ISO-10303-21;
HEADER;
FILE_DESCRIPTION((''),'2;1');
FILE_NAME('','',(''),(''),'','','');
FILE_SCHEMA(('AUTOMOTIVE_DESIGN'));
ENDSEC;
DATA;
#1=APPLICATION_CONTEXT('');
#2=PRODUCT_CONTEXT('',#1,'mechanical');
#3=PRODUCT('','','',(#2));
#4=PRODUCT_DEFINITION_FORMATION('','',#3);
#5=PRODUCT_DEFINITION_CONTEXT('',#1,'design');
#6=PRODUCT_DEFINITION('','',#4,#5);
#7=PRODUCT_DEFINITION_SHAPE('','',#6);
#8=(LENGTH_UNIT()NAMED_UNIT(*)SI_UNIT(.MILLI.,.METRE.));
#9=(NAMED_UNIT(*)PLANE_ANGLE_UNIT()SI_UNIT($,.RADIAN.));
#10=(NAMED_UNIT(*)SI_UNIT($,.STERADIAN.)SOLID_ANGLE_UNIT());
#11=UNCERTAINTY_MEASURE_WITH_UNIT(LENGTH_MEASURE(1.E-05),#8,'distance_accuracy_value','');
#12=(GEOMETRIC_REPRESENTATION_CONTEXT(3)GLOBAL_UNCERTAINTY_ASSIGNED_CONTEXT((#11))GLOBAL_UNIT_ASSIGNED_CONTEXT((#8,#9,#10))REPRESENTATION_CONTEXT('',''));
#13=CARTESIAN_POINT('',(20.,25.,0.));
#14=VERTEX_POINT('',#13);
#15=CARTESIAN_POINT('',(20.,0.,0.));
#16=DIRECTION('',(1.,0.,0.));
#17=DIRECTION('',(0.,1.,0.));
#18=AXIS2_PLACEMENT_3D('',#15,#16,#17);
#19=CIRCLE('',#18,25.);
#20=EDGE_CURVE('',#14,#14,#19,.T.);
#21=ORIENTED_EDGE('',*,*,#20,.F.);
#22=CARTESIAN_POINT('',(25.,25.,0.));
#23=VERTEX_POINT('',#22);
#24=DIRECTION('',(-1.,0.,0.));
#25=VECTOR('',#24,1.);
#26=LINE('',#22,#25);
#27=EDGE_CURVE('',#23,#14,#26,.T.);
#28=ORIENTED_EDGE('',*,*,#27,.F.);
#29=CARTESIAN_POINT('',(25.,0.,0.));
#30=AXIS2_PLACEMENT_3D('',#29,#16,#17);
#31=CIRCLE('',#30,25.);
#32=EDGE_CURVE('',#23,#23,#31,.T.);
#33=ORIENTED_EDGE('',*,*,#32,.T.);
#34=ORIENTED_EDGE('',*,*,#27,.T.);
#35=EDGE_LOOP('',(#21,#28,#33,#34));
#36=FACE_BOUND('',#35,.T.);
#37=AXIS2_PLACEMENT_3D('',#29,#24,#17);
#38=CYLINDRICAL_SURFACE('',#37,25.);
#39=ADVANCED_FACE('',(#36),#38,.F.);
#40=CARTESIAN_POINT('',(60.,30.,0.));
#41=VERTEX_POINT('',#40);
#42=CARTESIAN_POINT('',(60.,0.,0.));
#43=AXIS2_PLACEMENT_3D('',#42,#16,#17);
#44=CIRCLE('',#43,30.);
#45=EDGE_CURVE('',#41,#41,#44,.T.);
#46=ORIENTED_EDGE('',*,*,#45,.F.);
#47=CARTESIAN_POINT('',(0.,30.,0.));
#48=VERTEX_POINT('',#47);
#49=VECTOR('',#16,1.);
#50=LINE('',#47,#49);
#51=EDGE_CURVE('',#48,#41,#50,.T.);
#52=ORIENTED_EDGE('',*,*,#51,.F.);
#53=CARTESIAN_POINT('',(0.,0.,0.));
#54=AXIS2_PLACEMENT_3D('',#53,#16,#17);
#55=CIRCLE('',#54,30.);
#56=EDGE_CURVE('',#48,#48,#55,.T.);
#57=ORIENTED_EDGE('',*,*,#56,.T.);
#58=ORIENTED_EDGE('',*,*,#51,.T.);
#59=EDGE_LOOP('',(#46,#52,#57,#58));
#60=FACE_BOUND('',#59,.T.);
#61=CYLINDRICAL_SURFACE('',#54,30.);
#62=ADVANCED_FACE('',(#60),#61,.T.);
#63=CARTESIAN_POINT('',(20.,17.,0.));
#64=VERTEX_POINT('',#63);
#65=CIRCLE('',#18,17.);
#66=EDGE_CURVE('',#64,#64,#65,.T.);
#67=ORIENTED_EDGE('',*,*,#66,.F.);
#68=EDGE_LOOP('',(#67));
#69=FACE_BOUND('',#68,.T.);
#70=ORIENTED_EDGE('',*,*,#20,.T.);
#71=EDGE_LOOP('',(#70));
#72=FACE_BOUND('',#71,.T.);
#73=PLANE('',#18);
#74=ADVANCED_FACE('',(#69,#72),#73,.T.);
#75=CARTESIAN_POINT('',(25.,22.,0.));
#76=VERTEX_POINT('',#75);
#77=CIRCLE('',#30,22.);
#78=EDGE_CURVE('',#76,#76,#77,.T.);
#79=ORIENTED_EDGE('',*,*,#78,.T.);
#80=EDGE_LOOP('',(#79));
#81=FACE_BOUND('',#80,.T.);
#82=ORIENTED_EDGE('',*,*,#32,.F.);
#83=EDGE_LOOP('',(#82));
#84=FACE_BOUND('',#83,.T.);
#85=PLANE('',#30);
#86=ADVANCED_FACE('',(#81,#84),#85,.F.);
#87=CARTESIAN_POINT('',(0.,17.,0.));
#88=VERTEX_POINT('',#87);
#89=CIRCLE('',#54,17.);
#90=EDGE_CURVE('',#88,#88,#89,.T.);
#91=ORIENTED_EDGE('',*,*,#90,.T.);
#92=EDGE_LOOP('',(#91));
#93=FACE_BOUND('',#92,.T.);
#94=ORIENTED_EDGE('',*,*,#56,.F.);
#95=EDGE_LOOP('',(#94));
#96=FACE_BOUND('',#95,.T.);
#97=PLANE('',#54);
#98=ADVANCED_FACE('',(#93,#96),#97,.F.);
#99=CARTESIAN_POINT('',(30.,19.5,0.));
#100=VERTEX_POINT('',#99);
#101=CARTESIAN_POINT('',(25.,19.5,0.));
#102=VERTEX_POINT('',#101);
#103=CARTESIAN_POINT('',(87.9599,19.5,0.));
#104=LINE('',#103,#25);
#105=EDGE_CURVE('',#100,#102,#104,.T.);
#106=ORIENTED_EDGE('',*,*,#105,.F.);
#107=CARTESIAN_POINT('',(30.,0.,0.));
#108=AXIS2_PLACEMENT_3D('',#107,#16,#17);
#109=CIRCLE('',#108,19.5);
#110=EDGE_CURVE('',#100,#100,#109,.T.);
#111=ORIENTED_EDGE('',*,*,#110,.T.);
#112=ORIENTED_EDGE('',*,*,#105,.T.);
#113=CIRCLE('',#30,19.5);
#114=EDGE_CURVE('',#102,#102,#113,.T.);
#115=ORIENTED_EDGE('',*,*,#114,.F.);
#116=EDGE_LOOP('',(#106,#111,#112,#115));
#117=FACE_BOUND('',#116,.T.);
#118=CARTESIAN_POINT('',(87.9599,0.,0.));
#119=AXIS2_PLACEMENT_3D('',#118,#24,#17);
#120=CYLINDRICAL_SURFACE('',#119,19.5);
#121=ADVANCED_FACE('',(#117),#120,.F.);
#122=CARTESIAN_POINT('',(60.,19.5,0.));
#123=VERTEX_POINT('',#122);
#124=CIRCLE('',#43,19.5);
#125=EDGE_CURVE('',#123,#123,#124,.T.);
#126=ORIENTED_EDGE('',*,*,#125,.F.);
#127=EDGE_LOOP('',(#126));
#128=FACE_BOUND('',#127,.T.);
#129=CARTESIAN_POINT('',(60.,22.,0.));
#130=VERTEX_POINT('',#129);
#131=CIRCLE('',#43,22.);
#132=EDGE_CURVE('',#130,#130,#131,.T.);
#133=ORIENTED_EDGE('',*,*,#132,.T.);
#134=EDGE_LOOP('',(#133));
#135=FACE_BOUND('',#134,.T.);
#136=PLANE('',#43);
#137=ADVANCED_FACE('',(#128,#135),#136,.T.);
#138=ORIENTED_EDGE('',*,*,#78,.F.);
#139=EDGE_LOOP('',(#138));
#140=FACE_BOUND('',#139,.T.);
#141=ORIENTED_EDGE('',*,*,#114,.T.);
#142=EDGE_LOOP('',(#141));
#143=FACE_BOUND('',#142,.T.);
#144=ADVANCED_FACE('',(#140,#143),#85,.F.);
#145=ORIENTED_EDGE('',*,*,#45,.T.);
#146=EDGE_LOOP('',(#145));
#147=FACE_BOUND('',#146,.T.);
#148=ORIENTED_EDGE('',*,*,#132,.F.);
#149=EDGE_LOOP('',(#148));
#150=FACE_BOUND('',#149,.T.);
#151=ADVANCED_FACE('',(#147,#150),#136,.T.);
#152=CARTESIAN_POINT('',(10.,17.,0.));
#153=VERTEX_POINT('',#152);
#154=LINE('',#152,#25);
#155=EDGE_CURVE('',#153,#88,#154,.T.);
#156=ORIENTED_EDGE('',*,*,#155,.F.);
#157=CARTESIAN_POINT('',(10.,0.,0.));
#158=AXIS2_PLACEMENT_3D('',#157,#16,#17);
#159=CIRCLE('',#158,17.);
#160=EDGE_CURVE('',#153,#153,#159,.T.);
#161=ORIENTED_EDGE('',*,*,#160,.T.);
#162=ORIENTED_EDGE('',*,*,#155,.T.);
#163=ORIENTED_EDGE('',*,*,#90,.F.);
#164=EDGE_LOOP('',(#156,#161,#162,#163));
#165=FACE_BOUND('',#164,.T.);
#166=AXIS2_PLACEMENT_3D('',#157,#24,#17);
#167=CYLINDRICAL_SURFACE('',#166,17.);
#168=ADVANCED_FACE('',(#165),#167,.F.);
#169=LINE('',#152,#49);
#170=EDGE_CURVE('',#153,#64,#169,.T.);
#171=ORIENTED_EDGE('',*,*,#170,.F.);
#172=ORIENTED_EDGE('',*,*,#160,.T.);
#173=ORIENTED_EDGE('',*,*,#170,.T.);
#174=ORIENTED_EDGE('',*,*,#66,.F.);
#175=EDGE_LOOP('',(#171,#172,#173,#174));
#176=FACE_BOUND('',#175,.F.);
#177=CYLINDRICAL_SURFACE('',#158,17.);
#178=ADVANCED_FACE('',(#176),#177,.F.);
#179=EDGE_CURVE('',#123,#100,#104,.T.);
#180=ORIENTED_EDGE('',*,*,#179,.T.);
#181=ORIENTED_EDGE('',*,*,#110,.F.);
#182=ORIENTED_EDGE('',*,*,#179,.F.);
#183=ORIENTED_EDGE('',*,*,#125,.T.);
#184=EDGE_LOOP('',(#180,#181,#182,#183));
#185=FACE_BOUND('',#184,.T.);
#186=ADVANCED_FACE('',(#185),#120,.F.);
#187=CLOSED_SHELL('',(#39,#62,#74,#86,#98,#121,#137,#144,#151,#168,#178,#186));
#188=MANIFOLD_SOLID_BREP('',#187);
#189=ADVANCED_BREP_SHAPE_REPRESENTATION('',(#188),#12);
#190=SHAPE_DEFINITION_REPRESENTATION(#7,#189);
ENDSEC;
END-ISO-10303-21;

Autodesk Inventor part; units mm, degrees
ref_plane "YZ Plane" through (0, 0, 0) normal (1, 0, 0) x (0, 1, 0)
ref_plane "XZ Plane" through (0, 0, 0) normal (0, 1, 0) x (-1, 0, 0)
ref_plane "XY Plane" through (0, 0, 0) normal (0, 0, 1) x (1, 0, 0)
sketch "Эскиз1" plane through (0, 0, 0) normal (0, 0, 1) x (1, 0, 0)
  line L0 (0, 0) -> (100, 0)
  line L1 (0, 0) -> (0, 30)
  line L2 (0, 30) -> (60, 30)
  line L3 (60, 30) -> (60, 0)
  line L4 (100, 0) -> (100, 25)
  line L5 (100, 25) -> (95, 25)
  line L6 (95, 25) -> (95, 22)
  line L7 (95, 22) -> (25, 22)
  line L8 (25, 22) -> (25, 25)
  line L9 (25, 25) -> (20, 25)
  line L10 (20, 25) -> (20, 0)
  line L11 (0, 20) -> (10, 20)
  line L12 (10, 20) -> (10, 17)
  line L13 (10, 17) -> (20, 17)
  line L14 (30, 22) -> (30, 17)
  line L15 (30, 17) -> (100, 17)
  line L16 (10, 17) -> (0, 17)
  line L17 (87.9599, 22) -> (87.9599, 19.5)
  line L18 (87.9599, 19.5) -> (25, 19.5)
  line L19 (25, 19.5) -> (25, 22)
  point P0 (60, 22)
  point P1 (60, 19.5)
  dimension "d0" = 100
  dimension "d1" = 30
  dimension "d2" = 60
  dimension "d3" = 25
  dimension "d4" = 5
  dimension "d5" = 3
  dimension "d6" = 70
  dimension "d7" = 3
  dimension "d8" = 5
  dimension "d9" = 10
  dimension "d10" = 3
  dimension "d11" = 8
  dimension "d13" = 70
  dimension "d14" = 8
  dimension "d15" = 40
  dimension "d16" = 5
  dimension "d24" = 12.0401
  dimension "d25" = 5.5
revolve "Вращение3" add sketch "Эскиз1" angle 360 about axis through (0, 0, 0) along (1, 0, 0) contours L1 L11 L12 L16 | L13 L12 L11 L1 L2 L3 L7 L8 L9 L10 | L18 L14 L7 L3 | L18 L19 L7 L14
thread "Резьба1" size "M35x1.5" class "6H" standard "ANSI Metric M Profile" length 10
thread "Резьба2" size "M39x4" class "6H" standard "ANSI Metric M Profile" full length
properties part number "2"
